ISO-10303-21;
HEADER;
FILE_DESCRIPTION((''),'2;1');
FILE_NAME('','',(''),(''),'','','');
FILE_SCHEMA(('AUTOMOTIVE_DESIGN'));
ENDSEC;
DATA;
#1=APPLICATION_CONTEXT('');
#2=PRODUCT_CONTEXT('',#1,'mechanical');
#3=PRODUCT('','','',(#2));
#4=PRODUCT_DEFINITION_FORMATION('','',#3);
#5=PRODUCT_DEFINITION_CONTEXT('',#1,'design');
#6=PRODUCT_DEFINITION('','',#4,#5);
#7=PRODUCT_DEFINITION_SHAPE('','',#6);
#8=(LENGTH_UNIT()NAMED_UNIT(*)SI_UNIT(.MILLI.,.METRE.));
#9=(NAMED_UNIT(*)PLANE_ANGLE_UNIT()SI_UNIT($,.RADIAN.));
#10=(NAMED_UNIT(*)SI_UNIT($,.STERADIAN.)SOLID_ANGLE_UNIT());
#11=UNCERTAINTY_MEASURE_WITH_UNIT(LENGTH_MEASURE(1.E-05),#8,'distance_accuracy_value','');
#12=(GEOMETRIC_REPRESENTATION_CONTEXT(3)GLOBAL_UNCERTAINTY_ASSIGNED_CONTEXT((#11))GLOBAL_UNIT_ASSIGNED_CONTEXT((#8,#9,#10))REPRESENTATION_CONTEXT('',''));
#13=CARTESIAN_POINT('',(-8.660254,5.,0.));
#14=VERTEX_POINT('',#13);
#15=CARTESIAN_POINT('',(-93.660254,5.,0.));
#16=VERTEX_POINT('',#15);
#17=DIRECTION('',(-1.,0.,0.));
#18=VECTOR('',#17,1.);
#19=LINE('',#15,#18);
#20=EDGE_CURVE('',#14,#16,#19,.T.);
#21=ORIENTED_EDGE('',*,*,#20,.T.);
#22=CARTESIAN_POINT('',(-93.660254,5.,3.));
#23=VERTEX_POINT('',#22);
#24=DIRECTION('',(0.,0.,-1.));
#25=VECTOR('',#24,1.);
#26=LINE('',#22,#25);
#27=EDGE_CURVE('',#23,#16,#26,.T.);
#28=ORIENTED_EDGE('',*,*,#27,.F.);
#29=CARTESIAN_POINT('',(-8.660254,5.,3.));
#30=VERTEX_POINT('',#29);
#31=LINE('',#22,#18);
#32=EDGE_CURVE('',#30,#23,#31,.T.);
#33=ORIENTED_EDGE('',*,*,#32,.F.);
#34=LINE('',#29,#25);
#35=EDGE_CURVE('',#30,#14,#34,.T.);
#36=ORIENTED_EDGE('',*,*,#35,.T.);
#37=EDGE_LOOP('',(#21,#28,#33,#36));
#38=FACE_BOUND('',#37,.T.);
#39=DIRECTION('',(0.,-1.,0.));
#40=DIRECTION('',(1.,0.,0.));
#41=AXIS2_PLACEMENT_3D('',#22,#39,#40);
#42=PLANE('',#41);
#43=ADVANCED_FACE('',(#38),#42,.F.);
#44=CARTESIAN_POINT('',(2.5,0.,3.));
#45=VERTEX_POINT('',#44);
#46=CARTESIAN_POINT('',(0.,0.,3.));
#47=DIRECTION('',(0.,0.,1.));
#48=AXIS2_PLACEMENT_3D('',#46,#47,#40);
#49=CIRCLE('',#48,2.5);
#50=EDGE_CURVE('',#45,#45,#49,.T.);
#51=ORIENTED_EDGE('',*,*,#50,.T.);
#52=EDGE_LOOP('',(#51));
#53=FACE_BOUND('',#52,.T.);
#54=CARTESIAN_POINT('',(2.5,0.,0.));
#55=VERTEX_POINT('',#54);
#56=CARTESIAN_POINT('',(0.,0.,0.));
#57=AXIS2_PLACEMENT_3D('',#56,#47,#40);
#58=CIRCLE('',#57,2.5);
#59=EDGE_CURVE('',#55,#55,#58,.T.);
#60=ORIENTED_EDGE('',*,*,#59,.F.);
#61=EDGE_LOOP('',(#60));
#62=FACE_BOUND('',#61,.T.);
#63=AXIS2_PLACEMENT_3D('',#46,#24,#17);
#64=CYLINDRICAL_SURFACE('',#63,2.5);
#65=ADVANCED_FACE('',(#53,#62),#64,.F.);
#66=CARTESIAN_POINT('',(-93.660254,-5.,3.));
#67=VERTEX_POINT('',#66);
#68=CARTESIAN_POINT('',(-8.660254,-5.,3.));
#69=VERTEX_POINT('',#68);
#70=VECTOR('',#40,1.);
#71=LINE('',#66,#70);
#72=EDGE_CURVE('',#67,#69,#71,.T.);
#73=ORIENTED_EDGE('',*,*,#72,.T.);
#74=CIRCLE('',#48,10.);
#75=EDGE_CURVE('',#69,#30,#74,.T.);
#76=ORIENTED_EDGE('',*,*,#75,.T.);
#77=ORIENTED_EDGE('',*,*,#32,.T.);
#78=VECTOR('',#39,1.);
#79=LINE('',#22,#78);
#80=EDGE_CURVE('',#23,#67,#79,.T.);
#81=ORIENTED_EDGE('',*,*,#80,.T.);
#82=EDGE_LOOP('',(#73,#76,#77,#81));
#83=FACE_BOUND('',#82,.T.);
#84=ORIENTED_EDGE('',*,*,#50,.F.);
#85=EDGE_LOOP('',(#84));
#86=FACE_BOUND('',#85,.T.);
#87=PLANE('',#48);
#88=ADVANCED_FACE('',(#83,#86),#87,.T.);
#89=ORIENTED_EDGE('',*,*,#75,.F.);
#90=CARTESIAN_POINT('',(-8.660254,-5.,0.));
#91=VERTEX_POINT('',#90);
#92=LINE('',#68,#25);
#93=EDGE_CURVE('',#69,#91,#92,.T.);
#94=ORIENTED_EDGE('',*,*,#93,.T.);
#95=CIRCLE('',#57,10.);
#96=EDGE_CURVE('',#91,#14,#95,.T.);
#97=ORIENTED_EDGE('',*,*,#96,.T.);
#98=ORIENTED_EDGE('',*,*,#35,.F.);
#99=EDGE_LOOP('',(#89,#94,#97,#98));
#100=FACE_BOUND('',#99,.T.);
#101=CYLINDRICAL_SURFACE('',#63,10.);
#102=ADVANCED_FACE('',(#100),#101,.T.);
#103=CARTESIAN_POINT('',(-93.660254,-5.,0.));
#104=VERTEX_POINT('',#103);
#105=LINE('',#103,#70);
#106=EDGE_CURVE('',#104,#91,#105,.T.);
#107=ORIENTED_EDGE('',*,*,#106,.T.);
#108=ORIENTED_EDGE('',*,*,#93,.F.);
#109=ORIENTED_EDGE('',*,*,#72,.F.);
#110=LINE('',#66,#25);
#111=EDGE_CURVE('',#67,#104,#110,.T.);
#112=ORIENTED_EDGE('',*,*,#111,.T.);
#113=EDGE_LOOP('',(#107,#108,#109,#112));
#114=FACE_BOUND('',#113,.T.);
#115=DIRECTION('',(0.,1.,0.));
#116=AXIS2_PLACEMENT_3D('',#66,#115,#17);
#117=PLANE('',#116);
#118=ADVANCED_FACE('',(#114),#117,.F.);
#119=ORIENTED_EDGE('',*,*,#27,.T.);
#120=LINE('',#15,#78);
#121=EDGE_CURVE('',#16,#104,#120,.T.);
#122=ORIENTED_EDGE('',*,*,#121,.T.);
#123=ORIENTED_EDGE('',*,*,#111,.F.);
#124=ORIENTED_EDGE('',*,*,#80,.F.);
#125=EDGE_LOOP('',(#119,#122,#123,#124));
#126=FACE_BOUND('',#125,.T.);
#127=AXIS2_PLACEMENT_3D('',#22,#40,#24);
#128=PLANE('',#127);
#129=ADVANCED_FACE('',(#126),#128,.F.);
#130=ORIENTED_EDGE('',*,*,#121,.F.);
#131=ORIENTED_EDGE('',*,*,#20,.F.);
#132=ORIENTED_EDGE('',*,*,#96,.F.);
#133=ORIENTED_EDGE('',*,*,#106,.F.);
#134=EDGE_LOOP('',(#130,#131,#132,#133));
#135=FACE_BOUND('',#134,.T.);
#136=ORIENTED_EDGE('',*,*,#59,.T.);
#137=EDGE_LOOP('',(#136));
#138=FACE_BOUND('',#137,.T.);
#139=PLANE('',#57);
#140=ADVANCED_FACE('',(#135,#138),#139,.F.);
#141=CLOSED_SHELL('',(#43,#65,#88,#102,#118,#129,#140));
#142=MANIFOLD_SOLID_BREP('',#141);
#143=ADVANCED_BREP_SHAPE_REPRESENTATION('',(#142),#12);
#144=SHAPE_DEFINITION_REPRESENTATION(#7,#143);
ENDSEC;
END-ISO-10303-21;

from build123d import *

# Parameters (mm, degrees)
SKETCH1_R           = 2.5
BOSS_EXTRUDE1_DEPTH = 3


with BuildPart() as part:
    # Sketch1 → Boss-Extrude1 (new body)
    with BuildSketch(Plane.XY):
        with BuildLine():
            Line((-93.660254038, 5), (-8.660254038, 5))
            ThreePointArc((-8.660254038, 5), (10, 0), (-8.660254038, -5))
            Line((-8.660254038, -5), (-93.660254038, -5))
            Line((-93.660254038, -5), (-93.660254038, 5))
        make_face()
        Circle(SKETCH1_R, mode=Mode.SUBTRACT)
    extrude(amount=BOSS_EXTRUDE1_DEPTH)


solid = part.part
